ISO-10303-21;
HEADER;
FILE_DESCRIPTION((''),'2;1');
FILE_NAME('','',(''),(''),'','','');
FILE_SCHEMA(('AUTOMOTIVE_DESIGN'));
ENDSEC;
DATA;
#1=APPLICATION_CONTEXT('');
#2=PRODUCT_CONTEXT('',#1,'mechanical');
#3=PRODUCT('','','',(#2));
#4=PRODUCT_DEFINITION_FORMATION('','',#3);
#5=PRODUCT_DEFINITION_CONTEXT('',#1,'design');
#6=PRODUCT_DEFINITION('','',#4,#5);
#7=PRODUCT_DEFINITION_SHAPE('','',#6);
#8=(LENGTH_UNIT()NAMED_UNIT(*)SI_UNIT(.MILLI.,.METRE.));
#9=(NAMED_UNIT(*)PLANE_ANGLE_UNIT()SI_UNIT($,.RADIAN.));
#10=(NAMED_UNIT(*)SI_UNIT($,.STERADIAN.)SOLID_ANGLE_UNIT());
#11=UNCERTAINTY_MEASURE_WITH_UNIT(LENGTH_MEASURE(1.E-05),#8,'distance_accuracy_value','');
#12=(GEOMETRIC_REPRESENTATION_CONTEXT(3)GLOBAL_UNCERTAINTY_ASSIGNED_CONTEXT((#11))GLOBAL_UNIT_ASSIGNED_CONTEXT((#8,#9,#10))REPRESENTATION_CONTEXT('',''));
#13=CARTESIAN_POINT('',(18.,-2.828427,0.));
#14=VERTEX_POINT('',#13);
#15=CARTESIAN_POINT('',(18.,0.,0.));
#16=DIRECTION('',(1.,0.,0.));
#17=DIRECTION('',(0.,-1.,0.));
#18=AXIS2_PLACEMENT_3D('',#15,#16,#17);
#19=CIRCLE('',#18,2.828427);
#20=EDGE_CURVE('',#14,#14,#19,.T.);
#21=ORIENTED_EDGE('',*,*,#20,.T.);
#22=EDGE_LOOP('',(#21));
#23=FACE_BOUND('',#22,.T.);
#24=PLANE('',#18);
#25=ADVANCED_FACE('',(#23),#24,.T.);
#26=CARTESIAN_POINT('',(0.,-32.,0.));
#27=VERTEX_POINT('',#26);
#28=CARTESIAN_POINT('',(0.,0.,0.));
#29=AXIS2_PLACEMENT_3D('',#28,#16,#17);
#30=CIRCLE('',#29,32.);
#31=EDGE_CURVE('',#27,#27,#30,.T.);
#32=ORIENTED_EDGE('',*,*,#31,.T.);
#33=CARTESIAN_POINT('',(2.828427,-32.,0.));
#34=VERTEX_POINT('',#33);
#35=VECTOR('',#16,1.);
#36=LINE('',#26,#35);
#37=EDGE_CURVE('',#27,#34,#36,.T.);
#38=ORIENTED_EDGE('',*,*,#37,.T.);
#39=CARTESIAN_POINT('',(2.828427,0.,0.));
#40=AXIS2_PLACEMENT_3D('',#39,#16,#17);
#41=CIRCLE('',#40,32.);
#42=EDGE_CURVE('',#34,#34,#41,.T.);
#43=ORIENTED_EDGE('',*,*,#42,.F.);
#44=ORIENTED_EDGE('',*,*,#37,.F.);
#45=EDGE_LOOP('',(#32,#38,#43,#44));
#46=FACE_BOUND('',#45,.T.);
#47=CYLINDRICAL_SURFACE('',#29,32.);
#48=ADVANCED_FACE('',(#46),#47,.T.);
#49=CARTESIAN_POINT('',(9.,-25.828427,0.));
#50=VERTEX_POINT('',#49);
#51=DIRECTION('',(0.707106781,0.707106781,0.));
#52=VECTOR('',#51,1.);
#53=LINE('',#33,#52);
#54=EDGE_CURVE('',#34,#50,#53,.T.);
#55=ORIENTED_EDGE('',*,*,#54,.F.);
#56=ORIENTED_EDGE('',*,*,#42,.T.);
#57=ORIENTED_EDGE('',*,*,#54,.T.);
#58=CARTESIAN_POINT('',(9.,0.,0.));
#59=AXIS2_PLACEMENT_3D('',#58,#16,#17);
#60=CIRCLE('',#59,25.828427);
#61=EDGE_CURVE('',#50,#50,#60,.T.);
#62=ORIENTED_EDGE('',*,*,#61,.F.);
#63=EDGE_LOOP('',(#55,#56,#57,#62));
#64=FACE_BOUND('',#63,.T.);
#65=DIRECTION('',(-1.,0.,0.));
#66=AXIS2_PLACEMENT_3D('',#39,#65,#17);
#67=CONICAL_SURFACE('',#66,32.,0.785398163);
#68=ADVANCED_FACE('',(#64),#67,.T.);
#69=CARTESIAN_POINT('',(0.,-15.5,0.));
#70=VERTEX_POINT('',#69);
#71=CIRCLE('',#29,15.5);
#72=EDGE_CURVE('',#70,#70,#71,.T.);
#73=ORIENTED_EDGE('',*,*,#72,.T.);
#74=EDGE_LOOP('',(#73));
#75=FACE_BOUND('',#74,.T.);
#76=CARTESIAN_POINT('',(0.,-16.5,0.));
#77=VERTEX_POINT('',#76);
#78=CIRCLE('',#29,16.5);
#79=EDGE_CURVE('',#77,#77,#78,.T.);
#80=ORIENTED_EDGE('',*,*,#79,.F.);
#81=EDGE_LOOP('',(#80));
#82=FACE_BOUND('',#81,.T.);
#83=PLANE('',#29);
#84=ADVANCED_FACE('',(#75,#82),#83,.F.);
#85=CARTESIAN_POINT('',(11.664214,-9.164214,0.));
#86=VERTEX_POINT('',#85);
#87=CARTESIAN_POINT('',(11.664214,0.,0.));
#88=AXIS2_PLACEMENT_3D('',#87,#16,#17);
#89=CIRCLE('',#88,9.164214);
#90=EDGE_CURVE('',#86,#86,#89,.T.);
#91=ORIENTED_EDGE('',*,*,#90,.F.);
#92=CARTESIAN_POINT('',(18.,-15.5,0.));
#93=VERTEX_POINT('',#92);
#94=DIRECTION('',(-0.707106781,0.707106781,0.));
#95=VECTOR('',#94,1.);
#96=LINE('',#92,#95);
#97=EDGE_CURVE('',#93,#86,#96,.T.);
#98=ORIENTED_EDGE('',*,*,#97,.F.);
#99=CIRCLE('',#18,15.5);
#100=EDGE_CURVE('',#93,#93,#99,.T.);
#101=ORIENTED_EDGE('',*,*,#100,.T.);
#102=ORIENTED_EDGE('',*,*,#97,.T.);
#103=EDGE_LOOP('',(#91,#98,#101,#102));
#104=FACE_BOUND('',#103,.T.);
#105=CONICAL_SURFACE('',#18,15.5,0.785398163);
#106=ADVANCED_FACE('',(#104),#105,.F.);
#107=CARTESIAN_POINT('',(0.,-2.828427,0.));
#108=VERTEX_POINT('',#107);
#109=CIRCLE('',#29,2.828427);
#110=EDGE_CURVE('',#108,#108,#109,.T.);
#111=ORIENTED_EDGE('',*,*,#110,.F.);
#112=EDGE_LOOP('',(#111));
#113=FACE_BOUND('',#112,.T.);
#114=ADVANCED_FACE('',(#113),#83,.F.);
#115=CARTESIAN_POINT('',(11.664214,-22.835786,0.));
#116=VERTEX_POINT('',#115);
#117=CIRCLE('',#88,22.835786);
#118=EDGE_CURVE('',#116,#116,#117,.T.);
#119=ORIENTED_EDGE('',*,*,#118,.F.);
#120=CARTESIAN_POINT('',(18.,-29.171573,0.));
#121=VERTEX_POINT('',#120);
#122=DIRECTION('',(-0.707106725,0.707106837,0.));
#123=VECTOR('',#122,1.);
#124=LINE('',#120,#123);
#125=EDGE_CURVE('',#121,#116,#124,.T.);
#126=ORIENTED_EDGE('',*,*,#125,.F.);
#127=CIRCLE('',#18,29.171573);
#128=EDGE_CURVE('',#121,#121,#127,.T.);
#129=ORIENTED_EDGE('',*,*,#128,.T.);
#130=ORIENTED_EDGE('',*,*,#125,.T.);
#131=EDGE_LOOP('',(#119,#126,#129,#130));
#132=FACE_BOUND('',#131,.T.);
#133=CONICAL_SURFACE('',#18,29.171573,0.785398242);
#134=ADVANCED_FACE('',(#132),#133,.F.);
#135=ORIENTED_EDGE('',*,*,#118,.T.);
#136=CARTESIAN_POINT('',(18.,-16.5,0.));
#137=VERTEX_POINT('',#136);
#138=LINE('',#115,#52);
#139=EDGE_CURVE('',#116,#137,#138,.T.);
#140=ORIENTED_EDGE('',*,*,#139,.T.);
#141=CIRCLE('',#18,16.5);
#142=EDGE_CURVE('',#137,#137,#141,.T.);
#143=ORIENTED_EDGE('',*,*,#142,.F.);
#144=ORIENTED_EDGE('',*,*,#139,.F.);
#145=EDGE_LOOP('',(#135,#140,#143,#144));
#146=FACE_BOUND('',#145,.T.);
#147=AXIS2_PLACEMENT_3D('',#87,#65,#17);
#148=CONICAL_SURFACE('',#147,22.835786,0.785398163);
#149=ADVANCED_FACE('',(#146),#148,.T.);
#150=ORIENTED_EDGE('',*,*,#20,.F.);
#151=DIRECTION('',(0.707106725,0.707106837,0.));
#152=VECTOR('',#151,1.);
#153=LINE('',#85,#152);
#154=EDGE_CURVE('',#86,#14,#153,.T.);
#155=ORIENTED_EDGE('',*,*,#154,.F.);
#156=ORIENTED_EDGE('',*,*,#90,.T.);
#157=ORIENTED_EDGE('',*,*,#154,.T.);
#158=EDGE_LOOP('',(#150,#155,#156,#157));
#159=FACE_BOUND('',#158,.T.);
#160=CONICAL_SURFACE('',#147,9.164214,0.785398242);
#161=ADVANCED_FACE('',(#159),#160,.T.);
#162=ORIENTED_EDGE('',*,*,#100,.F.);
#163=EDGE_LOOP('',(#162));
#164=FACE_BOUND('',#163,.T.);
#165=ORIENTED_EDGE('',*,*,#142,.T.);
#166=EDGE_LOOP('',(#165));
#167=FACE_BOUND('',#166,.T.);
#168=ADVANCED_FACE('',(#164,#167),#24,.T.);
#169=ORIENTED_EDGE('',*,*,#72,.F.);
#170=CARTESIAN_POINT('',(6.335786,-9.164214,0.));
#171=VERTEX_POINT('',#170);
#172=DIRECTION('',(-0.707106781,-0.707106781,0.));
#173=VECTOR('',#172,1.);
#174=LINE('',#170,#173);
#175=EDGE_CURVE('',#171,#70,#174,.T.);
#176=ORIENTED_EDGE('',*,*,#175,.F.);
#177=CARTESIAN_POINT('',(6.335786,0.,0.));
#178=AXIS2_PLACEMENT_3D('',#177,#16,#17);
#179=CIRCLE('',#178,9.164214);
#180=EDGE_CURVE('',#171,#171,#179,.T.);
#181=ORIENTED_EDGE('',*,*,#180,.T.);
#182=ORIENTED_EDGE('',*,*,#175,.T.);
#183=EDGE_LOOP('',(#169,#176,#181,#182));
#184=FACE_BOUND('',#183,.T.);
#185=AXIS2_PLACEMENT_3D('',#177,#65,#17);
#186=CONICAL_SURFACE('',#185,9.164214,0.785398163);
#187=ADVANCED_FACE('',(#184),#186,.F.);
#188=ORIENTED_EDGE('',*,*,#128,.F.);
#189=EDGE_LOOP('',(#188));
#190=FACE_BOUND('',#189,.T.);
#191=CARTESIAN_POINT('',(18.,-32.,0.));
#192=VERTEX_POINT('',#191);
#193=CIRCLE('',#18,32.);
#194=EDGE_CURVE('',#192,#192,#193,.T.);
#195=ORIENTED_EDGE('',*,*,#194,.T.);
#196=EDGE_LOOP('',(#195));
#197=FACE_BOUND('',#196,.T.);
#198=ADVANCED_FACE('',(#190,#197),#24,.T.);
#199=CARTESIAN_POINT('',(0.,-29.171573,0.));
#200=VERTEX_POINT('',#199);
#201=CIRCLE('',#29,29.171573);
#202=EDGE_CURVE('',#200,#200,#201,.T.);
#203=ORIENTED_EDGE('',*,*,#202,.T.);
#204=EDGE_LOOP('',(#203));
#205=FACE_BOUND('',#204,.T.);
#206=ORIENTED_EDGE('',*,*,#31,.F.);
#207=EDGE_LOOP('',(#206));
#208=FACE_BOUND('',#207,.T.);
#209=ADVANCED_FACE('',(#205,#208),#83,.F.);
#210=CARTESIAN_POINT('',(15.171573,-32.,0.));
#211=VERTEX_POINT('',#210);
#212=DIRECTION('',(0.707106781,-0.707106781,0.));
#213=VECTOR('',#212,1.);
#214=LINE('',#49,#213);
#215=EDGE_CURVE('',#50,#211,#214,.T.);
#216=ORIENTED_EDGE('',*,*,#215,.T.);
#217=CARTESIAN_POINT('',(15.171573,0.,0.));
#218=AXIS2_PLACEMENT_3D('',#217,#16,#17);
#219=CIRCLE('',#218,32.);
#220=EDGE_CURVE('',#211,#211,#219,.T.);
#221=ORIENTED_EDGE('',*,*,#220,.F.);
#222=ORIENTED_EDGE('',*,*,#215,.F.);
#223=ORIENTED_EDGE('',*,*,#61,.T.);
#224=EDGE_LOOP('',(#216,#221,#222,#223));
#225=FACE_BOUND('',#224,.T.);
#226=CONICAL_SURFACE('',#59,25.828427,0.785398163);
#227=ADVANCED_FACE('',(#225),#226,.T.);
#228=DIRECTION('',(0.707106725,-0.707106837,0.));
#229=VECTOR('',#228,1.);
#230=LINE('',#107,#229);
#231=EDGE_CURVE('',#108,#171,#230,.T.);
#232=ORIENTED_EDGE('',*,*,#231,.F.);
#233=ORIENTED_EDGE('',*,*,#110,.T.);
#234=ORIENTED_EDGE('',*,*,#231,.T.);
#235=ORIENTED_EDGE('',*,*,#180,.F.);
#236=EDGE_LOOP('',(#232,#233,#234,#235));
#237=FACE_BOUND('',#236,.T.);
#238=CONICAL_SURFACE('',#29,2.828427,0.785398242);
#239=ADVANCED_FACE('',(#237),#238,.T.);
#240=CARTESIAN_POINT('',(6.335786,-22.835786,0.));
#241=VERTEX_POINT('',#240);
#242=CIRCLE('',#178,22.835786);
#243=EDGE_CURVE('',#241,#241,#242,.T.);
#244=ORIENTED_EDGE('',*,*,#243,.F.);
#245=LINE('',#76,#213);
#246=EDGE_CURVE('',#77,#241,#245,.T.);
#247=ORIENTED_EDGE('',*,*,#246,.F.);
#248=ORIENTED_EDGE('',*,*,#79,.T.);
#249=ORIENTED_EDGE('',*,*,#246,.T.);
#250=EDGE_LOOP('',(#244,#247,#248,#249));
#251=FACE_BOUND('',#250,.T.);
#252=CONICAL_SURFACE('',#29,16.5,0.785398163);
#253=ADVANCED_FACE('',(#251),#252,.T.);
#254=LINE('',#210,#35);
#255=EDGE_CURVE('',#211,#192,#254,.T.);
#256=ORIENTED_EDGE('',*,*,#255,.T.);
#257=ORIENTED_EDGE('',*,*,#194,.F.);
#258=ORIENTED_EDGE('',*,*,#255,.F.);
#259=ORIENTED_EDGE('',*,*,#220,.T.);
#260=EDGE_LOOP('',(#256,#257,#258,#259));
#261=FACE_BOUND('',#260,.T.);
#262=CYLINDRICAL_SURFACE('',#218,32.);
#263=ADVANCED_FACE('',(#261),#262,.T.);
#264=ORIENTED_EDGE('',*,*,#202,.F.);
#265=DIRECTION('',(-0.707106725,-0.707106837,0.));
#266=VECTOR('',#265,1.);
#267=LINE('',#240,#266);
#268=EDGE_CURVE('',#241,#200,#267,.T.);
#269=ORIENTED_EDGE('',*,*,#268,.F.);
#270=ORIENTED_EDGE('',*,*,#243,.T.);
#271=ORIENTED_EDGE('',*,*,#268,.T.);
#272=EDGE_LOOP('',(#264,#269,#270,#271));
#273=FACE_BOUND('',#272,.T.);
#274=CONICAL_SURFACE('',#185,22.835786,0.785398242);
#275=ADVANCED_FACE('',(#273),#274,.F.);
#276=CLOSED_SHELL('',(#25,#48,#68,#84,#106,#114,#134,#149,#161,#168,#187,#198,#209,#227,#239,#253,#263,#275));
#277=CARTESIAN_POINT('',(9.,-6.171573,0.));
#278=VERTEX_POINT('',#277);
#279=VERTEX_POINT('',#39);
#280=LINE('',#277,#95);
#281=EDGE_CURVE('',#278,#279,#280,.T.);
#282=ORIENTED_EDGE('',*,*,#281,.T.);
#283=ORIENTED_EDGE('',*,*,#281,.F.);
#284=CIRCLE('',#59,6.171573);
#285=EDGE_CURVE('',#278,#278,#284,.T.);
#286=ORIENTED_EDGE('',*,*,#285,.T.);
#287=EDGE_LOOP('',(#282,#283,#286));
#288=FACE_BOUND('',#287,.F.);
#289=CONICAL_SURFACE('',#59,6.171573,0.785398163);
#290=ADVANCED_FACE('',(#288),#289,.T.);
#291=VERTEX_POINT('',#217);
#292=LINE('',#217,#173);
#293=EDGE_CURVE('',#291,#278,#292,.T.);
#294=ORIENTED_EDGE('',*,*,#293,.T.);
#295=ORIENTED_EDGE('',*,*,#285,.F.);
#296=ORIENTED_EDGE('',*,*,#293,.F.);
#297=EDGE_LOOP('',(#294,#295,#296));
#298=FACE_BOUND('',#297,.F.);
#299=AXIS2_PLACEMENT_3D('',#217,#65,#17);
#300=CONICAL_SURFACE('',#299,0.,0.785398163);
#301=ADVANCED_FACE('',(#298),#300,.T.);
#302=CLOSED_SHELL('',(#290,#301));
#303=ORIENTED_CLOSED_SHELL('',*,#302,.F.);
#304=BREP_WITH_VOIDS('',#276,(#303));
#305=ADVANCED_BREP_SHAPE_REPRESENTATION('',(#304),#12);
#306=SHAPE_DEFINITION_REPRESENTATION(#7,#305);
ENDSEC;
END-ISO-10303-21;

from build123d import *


with BuildPart() as f1:
    # F0 (on Top) → F1 (revolve)
    with BuildSketch(Plane.XY):
        Polygon((2.828427, 0), (0, 0), (0, -2.828427), (6.335786, -9.164214), (0, -15.5), (0, -16.5), (6.335786, -22.835786), (0, -29.171573), (0, -32), (2.828427, -32), (9, -25.828427), (15.171573, -32), (18, -32), (18, -29.171573), (11.664214, -22.835786), (18, -16.5), (18, -15.5), (11.664214, -9.164214), (18, -2.828427), (18, 0), (15.171573, 0), (9, -6.171573), align=None)
        Polygon((5.156854, -16), (9, -12.156854), (12.843146, -16), (9, -19.843146), align=None, mode=Mode.SUBTRACT)
        Polygon((12.843146, -16), (9, -12.156854), (5.156854, -16), (9, -19.843146), align=None)
    revolve(axis=Axis((16.585786, 0, 0), (1, 0, 0)))


solid = f1.part
